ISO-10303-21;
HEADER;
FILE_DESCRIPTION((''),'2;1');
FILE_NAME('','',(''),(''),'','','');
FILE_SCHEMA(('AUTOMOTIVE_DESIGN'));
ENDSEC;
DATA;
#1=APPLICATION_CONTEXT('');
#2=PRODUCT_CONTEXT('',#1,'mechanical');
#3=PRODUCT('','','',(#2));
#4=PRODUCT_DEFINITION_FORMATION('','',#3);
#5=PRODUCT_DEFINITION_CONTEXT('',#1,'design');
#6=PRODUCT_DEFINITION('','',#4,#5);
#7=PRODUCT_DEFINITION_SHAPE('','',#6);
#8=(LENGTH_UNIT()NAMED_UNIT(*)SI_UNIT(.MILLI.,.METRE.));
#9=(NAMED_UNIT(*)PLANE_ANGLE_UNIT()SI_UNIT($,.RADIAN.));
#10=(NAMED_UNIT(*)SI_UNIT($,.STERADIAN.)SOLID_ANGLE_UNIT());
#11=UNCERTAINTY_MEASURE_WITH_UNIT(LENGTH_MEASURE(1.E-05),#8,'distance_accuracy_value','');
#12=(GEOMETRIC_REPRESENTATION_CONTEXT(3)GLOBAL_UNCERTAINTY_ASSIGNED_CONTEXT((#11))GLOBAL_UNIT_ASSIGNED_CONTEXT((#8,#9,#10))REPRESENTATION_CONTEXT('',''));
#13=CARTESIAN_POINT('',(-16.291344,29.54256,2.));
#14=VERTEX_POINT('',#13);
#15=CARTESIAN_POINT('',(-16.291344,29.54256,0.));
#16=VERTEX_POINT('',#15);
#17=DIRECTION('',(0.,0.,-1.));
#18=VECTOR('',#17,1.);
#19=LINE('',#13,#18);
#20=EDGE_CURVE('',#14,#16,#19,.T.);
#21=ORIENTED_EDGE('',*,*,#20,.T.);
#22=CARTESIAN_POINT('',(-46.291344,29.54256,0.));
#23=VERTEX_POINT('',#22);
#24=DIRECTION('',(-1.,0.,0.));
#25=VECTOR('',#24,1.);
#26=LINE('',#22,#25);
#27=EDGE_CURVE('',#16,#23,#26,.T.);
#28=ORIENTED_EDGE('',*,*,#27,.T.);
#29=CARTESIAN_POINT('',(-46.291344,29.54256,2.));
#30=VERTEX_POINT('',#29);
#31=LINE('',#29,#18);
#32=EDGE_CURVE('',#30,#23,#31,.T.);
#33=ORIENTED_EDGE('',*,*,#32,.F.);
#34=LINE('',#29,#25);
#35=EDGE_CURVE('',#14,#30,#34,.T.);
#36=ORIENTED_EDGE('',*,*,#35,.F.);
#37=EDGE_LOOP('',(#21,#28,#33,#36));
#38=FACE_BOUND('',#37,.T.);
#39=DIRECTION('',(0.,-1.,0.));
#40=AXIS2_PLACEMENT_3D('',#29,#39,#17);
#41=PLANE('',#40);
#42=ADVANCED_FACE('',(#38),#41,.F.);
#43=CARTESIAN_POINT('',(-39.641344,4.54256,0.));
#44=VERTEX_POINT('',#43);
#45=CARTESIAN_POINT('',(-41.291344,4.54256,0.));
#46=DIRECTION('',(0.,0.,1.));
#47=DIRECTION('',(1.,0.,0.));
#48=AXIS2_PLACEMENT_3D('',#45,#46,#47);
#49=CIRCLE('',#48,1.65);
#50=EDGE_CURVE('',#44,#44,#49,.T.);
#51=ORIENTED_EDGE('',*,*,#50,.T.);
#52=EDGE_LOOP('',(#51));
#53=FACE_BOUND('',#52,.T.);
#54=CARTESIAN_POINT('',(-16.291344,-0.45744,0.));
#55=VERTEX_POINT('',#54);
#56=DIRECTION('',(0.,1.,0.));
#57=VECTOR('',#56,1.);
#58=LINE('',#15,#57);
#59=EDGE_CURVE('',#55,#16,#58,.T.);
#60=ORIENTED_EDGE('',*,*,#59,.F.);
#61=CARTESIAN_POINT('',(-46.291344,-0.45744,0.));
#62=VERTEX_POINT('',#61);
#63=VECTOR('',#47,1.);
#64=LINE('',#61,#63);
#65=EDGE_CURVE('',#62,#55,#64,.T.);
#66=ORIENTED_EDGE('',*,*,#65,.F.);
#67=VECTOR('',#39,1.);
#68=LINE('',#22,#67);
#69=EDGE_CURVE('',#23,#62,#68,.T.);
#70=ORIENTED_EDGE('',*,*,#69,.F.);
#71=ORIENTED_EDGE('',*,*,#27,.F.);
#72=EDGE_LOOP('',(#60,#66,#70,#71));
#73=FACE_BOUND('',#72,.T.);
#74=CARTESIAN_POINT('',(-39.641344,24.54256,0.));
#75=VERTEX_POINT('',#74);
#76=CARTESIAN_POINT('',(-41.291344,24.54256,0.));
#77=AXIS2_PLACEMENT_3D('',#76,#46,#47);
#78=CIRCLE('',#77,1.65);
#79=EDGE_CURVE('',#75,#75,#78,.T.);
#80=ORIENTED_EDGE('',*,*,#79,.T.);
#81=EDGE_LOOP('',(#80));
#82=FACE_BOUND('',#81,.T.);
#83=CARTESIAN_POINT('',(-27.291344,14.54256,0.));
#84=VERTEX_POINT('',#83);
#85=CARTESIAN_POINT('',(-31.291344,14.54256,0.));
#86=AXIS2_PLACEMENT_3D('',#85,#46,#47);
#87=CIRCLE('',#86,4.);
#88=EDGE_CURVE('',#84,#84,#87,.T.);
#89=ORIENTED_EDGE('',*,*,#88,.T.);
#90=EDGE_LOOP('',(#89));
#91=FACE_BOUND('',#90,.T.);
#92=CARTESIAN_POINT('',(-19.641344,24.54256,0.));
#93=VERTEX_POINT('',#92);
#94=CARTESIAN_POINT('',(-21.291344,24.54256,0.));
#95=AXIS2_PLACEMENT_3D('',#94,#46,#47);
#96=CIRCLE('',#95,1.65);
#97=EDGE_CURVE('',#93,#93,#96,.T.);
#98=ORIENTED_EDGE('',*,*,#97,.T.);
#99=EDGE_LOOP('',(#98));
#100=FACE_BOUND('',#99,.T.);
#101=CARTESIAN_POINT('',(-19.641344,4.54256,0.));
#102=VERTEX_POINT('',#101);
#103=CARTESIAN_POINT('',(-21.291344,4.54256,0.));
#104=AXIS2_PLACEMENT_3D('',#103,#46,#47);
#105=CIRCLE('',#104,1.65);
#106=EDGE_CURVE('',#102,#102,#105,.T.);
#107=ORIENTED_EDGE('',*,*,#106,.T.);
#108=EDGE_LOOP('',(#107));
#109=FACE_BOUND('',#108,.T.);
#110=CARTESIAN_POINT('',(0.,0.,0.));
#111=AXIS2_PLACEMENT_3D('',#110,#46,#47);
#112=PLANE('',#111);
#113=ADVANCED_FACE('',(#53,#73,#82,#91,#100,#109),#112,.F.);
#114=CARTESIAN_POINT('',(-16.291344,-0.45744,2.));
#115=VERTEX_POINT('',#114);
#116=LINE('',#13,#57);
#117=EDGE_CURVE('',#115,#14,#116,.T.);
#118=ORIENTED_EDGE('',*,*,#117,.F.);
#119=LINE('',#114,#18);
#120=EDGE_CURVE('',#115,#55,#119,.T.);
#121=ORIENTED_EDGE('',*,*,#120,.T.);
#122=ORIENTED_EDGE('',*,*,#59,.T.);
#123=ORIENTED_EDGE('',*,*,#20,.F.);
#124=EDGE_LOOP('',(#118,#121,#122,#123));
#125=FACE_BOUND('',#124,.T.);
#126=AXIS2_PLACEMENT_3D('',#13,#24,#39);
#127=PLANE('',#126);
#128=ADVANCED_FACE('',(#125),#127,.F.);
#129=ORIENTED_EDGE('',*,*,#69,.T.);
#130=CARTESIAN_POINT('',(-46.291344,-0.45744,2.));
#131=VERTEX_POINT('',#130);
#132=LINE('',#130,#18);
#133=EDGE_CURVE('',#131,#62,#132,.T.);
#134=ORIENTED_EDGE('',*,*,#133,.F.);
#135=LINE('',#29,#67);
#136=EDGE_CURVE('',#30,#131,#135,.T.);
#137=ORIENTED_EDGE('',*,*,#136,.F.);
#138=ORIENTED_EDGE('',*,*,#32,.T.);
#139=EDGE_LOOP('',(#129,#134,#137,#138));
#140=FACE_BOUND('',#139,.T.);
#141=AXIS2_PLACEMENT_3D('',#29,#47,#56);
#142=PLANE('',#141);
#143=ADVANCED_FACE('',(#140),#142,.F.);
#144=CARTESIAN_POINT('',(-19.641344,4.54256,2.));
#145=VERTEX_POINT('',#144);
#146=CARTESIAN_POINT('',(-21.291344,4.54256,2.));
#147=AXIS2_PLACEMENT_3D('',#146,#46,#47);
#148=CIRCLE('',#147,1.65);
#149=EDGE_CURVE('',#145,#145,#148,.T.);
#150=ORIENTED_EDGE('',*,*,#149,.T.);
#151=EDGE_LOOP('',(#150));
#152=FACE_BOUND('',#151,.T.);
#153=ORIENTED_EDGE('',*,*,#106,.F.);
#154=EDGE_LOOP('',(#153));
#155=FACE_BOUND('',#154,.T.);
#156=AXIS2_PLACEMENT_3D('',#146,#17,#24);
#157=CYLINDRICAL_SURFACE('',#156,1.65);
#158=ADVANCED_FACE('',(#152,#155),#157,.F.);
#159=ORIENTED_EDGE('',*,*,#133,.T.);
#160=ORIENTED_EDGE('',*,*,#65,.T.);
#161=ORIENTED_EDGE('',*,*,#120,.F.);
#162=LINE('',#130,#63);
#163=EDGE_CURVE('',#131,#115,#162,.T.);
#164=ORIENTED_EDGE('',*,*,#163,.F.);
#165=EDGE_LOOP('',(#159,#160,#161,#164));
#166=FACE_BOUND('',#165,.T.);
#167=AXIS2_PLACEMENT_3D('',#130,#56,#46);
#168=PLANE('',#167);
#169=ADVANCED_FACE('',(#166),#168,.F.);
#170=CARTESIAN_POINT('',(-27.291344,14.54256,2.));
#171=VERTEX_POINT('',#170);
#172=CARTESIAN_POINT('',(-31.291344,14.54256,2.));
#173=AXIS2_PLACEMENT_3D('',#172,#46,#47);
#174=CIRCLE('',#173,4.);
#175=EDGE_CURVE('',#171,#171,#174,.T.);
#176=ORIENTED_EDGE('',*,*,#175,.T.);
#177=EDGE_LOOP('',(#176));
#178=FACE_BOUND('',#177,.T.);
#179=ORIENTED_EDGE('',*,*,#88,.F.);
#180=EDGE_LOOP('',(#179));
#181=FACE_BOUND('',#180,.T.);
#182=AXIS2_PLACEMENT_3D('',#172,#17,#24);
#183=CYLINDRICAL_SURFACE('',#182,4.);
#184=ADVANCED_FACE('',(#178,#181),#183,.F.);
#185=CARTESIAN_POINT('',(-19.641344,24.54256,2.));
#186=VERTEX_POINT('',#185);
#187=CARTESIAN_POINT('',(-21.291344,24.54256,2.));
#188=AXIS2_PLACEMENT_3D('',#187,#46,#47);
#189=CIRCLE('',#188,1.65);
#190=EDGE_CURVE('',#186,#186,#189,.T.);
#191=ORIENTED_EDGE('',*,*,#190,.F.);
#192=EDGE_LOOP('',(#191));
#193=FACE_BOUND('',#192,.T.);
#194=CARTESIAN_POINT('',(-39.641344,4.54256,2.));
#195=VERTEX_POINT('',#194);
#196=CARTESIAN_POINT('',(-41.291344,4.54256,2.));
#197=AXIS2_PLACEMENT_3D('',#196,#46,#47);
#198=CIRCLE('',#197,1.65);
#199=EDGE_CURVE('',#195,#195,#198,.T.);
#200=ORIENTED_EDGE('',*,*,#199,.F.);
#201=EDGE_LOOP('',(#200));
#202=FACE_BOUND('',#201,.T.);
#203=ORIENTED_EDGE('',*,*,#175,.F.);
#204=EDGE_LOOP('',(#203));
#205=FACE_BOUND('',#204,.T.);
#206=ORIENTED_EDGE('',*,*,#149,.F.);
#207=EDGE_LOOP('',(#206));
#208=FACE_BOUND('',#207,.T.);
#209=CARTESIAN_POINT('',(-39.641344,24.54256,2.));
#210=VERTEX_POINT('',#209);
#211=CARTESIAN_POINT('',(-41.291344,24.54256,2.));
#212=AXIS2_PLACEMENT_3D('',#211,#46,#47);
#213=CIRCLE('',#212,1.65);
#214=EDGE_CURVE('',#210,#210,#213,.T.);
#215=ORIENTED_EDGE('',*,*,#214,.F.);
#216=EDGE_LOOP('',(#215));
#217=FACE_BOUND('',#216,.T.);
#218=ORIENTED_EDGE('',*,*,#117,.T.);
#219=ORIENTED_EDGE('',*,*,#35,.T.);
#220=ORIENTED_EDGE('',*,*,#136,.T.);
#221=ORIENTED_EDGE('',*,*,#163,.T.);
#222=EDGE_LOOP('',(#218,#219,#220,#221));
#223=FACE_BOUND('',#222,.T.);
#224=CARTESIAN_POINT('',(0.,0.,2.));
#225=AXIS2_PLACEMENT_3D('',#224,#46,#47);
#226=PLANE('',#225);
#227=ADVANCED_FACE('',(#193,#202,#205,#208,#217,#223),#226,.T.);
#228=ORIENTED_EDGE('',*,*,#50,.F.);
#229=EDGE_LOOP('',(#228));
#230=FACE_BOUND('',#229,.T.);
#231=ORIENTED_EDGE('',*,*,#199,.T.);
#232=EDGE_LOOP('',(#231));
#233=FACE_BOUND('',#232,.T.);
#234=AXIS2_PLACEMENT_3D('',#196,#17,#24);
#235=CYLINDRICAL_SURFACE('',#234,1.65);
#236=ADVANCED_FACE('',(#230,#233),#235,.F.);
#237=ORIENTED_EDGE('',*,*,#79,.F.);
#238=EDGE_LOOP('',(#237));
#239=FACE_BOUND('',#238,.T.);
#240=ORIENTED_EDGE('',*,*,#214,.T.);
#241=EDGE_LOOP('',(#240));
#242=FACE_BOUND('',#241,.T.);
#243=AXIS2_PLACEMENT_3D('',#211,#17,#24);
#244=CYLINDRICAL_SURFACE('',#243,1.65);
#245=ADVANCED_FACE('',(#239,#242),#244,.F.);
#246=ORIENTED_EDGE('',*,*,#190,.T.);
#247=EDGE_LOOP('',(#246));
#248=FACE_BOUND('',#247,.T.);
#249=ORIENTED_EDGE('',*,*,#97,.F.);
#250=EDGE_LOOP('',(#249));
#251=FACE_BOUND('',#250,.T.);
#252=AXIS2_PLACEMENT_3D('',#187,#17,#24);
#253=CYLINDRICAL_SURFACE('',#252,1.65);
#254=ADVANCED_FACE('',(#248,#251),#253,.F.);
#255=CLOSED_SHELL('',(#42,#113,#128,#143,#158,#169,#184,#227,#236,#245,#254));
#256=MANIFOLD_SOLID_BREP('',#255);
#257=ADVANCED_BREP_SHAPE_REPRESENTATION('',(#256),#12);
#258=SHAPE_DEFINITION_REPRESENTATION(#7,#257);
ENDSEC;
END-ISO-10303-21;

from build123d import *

# Parameters (mm, degrees)
ESQUISSE1_W        = 30
ESQUISSE1_H        = 30
ESQUISSE1_R        = 1.65
ESQUISSE1_R_2      = 4
BOSS_EXTRU_1_DEPTH = 2


with BuildPart() as part:
    # Esquisse1 → Boss.-Extru.1 (new body)
    with BuildSketch(Plane.XY):
        with Locations((-31.291344469, 14.542559553)):
            Rectangle(ESQUISSE1_W, ESQUISSE1_H)
        with Locations((-41.291344469, 24.542559553)):
            Circle(ESQUISSE1_R, mode=Mode.SUBTRACT)
        with Locations((-21.291344469, 24.542559553)):
            Circle(ESQUISSE1_R, mode=Mode.SUBTRACT)
        with Locations((-21.291344469, 4.542559553)):
            Circle(ESQUISSE1_R, mode=Mode.SUBTRACT)
        with Locations((-41.291344469, 4.542559553)):
            Circle(ESQUISSE1_R, mode=Mode.SUBTRACT)
        with Locations((-31.291344469, 14.542559553)):
            Circle(ESQUISSE1_R_2, mode=Mode.SUBTRACT)
    extrude(amount=BOSS_EXTRU_1_DEPTH)


solid = part.part
